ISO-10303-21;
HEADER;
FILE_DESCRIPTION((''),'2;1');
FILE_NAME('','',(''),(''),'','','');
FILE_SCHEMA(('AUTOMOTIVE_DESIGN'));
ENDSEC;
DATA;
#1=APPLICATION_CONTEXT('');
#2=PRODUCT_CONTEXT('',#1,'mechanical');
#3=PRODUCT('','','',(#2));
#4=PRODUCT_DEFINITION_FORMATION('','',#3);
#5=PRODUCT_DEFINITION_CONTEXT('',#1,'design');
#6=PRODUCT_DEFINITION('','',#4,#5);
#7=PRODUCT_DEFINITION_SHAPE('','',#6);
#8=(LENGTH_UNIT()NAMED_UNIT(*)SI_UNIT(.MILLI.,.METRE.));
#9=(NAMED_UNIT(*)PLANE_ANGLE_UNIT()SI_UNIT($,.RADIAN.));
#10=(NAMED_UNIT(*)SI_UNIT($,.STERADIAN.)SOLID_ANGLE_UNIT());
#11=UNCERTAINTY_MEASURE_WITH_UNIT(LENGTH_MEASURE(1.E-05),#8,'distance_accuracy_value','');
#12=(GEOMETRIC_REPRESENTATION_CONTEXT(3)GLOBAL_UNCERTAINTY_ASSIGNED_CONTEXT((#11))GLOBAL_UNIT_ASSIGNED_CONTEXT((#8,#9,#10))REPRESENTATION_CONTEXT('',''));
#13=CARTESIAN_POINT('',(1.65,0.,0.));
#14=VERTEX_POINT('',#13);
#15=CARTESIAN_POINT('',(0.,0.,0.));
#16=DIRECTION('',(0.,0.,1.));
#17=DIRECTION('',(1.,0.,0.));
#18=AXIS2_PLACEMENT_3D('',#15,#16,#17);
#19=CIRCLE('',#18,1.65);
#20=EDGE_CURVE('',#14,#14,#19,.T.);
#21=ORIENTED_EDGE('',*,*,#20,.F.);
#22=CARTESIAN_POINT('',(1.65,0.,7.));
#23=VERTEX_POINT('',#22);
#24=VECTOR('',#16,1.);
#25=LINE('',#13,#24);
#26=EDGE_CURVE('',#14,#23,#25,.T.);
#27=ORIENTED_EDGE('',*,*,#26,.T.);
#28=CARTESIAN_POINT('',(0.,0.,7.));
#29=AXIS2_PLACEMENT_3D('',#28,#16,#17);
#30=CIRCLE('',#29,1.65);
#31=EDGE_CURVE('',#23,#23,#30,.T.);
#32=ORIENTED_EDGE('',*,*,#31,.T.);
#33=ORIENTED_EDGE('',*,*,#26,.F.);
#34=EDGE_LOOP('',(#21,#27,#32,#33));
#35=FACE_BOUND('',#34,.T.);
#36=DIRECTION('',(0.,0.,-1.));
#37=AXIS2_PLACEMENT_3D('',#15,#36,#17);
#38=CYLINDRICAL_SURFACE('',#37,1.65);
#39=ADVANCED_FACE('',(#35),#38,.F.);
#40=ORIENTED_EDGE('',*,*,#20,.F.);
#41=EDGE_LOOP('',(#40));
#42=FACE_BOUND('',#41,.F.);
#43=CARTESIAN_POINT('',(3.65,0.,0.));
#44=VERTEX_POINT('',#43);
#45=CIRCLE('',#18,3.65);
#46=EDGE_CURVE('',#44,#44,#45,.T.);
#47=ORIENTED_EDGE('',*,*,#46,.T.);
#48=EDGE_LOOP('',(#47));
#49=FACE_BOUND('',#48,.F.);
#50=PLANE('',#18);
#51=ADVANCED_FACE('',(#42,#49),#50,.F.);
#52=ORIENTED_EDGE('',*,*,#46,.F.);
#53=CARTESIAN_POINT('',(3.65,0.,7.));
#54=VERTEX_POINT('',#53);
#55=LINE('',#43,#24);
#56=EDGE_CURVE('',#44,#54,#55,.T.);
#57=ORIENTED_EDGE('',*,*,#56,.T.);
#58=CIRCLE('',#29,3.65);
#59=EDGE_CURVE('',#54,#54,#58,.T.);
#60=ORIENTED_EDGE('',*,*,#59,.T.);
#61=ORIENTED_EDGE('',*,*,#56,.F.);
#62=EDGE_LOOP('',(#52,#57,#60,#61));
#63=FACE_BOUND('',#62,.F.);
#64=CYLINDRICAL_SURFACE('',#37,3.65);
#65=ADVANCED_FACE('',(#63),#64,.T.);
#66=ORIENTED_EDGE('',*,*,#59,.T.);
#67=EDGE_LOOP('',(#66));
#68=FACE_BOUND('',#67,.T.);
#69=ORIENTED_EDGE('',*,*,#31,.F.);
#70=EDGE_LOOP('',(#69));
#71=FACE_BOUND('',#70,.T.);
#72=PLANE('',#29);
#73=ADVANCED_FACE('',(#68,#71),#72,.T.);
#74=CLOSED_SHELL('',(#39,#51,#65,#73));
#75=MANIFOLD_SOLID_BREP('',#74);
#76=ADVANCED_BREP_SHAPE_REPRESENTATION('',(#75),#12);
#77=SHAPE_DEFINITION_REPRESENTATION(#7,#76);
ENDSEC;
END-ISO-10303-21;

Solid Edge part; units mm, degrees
sketch "Sketch1" plane through (0, 0, 0) normal (0, 0, 1) x (1, 0, 0)
  circle A0 centre (0, 0) radius 3.65
  circle A1 centre (0, 0) radius 1.65
extrude "Protrusion1" add sketch "Sketch1" along normal blind 7
